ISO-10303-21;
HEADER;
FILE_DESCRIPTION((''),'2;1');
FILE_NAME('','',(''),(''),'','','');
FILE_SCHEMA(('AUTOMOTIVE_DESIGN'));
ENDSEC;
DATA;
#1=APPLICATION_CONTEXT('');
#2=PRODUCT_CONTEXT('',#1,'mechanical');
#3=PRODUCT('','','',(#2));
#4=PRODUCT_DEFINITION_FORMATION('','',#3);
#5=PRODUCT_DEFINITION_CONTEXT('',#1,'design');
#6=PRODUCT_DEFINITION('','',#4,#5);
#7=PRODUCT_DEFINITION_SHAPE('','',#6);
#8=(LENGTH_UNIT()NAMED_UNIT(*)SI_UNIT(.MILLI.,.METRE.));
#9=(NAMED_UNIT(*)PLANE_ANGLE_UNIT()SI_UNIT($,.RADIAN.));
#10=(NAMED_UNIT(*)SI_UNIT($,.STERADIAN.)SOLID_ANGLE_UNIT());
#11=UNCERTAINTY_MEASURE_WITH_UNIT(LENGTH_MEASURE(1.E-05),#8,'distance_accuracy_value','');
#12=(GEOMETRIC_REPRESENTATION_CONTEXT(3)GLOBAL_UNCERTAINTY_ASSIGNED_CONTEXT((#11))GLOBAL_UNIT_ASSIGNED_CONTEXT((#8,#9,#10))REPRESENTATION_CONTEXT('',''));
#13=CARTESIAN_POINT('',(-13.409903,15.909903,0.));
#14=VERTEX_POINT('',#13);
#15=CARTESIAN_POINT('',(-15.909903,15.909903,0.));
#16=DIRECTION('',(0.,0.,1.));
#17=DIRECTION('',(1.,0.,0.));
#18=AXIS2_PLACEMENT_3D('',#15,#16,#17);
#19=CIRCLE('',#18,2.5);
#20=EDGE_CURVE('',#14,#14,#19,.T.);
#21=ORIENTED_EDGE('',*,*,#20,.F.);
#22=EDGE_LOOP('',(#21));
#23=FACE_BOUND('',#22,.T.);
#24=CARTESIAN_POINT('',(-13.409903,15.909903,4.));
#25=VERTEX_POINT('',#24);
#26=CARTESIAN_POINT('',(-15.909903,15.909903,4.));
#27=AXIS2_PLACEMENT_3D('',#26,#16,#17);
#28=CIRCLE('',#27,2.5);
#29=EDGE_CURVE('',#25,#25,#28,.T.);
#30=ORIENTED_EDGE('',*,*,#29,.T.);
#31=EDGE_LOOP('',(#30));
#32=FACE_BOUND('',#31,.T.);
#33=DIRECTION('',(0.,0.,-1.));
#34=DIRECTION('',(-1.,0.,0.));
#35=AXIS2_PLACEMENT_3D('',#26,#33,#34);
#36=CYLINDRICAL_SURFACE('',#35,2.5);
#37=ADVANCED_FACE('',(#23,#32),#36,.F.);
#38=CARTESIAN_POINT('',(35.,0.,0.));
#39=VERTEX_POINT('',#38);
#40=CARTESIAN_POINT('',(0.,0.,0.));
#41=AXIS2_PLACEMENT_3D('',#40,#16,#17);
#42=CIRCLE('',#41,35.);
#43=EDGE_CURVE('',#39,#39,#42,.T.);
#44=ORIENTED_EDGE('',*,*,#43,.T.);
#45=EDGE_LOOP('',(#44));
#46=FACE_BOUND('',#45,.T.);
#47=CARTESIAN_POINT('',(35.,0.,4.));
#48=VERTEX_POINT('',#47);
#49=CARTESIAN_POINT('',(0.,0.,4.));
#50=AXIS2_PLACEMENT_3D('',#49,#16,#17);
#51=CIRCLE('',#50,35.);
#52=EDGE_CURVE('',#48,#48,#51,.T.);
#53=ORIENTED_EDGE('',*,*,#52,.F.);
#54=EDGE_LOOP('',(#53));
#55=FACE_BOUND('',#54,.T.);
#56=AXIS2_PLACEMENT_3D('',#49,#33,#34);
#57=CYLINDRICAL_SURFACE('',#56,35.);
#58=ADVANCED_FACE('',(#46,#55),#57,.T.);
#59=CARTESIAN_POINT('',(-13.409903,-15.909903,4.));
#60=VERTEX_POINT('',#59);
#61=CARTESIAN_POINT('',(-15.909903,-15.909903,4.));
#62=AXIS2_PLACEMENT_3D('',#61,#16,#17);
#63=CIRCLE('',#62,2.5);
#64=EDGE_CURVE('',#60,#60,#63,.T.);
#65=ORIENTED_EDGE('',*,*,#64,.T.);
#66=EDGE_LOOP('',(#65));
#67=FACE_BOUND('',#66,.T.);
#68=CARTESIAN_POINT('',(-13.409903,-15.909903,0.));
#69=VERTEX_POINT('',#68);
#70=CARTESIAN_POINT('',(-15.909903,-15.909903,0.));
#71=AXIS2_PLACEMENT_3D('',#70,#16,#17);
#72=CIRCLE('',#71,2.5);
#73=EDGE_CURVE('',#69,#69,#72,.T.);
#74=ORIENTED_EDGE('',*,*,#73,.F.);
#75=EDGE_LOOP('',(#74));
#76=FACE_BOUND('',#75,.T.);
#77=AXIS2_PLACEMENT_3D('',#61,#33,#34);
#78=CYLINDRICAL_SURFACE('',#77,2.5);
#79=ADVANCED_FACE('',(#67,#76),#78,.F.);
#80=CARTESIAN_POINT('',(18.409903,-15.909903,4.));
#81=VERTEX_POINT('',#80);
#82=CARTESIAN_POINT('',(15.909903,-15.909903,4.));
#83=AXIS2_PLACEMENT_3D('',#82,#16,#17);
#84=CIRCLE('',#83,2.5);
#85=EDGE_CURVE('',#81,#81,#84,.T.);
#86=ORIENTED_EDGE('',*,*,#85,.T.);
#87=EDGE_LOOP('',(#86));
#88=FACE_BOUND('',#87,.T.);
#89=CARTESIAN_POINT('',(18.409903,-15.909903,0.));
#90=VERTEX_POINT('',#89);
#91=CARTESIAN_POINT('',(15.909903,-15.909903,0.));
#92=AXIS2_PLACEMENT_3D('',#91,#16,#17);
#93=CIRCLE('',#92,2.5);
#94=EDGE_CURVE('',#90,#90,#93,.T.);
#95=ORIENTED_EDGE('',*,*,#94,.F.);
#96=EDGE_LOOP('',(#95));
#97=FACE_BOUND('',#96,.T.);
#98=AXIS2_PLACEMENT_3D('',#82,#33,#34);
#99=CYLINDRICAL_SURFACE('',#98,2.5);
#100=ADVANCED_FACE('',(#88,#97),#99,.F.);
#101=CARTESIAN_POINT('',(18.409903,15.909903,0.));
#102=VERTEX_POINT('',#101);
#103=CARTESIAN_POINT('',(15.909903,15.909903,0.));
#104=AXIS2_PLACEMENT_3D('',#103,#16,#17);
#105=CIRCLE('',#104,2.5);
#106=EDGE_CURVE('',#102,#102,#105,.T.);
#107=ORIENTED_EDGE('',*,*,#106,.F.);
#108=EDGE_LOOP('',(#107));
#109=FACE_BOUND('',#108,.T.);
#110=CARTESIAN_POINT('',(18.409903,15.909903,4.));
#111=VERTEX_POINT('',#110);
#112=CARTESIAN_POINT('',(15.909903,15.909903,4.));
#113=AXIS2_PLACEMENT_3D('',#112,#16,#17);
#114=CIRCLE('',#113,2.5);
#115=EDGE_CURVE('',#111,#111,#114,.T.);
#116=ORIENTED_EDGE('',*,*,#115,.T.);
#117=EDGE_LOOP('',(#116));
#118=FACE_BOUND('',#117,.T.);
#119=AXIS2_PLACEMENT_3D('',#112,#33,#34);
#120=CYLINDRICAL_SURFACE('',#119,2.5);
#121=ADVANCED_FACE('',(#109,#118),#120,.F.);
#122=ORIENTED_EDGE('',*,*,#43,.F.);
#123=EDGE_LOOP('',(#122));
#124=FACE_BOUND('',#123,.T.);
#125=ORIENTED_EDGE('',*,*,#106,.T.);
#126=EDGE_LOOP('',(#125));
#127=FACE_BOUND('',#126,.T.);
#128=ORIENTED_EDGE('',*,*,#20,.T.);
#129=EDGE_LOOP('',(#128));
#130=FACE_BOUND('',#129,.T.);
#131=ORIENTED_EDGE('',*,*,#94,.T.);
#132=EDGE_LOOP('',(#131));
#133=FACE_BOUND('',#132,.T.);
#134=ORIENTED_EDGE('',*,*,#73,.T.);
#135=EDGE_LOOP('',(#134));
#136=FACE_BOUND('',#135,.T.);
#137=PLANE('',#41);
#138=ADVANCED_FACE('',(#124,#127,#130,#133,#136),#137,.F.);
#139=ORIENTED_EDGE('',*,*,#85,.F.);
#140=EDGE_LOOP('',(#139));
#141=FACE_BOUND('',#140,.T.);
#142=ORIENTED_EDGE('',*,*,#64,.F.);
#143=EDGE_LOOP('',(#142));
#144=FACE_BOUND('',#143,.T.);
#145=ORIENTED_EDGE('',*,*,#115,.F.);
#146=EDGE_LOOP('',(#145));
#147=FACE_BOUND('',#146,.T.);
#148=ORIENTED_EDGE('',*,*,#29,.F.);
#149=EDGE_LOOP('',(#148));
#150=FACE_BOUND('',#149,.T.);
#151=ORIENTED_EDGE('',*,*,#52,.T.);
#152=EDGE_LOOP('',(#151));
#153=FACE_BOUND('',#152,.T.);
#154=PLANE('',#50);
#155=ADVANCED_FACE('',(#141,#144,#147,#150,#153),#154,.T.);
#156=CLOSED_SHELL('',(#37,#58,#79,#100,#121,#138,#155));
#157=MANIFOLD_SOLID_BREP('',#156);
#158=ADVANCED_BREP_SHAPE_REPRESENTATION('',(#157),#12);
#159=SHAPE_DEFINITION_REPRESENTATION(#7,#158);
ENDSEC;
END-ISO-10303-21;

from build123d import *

# Parameters (mm, degrees)
SKETCH1_R           = 35
SKETCH1_R_2         = 2.5
BOSS_EXTRUDE1_DEPTH = 4


with BuildPart() as part:
    # Sketch1 → Boss-Extrude1 (new body)
    with BuildSketch(Plane.XY):
        Circle(SKETCH1_R)
        with Locations((15.909902577, 15.909902577)):
            Circle(SKETCH1_R_2, mode=Mode.SUBTRACT)
        with Locations((15.909902577, -15.909902577)):
            Circle(SKETCH1_R_2, mode=Mode.SUBTRACT)
        with Locations((-15.909902577, -15.909902577)):
            Circle(SKETCH1_R_2, mode=Mode.SUBTRACT)
        with Locations((-15.909902577, 15.909902577)):
            Circle(SKETCH1_R_2, mode=Mode.SUBTRACT)
    extrude(amount=BOSS_EXTRUDE1_DEPTH)


solid = part.part
